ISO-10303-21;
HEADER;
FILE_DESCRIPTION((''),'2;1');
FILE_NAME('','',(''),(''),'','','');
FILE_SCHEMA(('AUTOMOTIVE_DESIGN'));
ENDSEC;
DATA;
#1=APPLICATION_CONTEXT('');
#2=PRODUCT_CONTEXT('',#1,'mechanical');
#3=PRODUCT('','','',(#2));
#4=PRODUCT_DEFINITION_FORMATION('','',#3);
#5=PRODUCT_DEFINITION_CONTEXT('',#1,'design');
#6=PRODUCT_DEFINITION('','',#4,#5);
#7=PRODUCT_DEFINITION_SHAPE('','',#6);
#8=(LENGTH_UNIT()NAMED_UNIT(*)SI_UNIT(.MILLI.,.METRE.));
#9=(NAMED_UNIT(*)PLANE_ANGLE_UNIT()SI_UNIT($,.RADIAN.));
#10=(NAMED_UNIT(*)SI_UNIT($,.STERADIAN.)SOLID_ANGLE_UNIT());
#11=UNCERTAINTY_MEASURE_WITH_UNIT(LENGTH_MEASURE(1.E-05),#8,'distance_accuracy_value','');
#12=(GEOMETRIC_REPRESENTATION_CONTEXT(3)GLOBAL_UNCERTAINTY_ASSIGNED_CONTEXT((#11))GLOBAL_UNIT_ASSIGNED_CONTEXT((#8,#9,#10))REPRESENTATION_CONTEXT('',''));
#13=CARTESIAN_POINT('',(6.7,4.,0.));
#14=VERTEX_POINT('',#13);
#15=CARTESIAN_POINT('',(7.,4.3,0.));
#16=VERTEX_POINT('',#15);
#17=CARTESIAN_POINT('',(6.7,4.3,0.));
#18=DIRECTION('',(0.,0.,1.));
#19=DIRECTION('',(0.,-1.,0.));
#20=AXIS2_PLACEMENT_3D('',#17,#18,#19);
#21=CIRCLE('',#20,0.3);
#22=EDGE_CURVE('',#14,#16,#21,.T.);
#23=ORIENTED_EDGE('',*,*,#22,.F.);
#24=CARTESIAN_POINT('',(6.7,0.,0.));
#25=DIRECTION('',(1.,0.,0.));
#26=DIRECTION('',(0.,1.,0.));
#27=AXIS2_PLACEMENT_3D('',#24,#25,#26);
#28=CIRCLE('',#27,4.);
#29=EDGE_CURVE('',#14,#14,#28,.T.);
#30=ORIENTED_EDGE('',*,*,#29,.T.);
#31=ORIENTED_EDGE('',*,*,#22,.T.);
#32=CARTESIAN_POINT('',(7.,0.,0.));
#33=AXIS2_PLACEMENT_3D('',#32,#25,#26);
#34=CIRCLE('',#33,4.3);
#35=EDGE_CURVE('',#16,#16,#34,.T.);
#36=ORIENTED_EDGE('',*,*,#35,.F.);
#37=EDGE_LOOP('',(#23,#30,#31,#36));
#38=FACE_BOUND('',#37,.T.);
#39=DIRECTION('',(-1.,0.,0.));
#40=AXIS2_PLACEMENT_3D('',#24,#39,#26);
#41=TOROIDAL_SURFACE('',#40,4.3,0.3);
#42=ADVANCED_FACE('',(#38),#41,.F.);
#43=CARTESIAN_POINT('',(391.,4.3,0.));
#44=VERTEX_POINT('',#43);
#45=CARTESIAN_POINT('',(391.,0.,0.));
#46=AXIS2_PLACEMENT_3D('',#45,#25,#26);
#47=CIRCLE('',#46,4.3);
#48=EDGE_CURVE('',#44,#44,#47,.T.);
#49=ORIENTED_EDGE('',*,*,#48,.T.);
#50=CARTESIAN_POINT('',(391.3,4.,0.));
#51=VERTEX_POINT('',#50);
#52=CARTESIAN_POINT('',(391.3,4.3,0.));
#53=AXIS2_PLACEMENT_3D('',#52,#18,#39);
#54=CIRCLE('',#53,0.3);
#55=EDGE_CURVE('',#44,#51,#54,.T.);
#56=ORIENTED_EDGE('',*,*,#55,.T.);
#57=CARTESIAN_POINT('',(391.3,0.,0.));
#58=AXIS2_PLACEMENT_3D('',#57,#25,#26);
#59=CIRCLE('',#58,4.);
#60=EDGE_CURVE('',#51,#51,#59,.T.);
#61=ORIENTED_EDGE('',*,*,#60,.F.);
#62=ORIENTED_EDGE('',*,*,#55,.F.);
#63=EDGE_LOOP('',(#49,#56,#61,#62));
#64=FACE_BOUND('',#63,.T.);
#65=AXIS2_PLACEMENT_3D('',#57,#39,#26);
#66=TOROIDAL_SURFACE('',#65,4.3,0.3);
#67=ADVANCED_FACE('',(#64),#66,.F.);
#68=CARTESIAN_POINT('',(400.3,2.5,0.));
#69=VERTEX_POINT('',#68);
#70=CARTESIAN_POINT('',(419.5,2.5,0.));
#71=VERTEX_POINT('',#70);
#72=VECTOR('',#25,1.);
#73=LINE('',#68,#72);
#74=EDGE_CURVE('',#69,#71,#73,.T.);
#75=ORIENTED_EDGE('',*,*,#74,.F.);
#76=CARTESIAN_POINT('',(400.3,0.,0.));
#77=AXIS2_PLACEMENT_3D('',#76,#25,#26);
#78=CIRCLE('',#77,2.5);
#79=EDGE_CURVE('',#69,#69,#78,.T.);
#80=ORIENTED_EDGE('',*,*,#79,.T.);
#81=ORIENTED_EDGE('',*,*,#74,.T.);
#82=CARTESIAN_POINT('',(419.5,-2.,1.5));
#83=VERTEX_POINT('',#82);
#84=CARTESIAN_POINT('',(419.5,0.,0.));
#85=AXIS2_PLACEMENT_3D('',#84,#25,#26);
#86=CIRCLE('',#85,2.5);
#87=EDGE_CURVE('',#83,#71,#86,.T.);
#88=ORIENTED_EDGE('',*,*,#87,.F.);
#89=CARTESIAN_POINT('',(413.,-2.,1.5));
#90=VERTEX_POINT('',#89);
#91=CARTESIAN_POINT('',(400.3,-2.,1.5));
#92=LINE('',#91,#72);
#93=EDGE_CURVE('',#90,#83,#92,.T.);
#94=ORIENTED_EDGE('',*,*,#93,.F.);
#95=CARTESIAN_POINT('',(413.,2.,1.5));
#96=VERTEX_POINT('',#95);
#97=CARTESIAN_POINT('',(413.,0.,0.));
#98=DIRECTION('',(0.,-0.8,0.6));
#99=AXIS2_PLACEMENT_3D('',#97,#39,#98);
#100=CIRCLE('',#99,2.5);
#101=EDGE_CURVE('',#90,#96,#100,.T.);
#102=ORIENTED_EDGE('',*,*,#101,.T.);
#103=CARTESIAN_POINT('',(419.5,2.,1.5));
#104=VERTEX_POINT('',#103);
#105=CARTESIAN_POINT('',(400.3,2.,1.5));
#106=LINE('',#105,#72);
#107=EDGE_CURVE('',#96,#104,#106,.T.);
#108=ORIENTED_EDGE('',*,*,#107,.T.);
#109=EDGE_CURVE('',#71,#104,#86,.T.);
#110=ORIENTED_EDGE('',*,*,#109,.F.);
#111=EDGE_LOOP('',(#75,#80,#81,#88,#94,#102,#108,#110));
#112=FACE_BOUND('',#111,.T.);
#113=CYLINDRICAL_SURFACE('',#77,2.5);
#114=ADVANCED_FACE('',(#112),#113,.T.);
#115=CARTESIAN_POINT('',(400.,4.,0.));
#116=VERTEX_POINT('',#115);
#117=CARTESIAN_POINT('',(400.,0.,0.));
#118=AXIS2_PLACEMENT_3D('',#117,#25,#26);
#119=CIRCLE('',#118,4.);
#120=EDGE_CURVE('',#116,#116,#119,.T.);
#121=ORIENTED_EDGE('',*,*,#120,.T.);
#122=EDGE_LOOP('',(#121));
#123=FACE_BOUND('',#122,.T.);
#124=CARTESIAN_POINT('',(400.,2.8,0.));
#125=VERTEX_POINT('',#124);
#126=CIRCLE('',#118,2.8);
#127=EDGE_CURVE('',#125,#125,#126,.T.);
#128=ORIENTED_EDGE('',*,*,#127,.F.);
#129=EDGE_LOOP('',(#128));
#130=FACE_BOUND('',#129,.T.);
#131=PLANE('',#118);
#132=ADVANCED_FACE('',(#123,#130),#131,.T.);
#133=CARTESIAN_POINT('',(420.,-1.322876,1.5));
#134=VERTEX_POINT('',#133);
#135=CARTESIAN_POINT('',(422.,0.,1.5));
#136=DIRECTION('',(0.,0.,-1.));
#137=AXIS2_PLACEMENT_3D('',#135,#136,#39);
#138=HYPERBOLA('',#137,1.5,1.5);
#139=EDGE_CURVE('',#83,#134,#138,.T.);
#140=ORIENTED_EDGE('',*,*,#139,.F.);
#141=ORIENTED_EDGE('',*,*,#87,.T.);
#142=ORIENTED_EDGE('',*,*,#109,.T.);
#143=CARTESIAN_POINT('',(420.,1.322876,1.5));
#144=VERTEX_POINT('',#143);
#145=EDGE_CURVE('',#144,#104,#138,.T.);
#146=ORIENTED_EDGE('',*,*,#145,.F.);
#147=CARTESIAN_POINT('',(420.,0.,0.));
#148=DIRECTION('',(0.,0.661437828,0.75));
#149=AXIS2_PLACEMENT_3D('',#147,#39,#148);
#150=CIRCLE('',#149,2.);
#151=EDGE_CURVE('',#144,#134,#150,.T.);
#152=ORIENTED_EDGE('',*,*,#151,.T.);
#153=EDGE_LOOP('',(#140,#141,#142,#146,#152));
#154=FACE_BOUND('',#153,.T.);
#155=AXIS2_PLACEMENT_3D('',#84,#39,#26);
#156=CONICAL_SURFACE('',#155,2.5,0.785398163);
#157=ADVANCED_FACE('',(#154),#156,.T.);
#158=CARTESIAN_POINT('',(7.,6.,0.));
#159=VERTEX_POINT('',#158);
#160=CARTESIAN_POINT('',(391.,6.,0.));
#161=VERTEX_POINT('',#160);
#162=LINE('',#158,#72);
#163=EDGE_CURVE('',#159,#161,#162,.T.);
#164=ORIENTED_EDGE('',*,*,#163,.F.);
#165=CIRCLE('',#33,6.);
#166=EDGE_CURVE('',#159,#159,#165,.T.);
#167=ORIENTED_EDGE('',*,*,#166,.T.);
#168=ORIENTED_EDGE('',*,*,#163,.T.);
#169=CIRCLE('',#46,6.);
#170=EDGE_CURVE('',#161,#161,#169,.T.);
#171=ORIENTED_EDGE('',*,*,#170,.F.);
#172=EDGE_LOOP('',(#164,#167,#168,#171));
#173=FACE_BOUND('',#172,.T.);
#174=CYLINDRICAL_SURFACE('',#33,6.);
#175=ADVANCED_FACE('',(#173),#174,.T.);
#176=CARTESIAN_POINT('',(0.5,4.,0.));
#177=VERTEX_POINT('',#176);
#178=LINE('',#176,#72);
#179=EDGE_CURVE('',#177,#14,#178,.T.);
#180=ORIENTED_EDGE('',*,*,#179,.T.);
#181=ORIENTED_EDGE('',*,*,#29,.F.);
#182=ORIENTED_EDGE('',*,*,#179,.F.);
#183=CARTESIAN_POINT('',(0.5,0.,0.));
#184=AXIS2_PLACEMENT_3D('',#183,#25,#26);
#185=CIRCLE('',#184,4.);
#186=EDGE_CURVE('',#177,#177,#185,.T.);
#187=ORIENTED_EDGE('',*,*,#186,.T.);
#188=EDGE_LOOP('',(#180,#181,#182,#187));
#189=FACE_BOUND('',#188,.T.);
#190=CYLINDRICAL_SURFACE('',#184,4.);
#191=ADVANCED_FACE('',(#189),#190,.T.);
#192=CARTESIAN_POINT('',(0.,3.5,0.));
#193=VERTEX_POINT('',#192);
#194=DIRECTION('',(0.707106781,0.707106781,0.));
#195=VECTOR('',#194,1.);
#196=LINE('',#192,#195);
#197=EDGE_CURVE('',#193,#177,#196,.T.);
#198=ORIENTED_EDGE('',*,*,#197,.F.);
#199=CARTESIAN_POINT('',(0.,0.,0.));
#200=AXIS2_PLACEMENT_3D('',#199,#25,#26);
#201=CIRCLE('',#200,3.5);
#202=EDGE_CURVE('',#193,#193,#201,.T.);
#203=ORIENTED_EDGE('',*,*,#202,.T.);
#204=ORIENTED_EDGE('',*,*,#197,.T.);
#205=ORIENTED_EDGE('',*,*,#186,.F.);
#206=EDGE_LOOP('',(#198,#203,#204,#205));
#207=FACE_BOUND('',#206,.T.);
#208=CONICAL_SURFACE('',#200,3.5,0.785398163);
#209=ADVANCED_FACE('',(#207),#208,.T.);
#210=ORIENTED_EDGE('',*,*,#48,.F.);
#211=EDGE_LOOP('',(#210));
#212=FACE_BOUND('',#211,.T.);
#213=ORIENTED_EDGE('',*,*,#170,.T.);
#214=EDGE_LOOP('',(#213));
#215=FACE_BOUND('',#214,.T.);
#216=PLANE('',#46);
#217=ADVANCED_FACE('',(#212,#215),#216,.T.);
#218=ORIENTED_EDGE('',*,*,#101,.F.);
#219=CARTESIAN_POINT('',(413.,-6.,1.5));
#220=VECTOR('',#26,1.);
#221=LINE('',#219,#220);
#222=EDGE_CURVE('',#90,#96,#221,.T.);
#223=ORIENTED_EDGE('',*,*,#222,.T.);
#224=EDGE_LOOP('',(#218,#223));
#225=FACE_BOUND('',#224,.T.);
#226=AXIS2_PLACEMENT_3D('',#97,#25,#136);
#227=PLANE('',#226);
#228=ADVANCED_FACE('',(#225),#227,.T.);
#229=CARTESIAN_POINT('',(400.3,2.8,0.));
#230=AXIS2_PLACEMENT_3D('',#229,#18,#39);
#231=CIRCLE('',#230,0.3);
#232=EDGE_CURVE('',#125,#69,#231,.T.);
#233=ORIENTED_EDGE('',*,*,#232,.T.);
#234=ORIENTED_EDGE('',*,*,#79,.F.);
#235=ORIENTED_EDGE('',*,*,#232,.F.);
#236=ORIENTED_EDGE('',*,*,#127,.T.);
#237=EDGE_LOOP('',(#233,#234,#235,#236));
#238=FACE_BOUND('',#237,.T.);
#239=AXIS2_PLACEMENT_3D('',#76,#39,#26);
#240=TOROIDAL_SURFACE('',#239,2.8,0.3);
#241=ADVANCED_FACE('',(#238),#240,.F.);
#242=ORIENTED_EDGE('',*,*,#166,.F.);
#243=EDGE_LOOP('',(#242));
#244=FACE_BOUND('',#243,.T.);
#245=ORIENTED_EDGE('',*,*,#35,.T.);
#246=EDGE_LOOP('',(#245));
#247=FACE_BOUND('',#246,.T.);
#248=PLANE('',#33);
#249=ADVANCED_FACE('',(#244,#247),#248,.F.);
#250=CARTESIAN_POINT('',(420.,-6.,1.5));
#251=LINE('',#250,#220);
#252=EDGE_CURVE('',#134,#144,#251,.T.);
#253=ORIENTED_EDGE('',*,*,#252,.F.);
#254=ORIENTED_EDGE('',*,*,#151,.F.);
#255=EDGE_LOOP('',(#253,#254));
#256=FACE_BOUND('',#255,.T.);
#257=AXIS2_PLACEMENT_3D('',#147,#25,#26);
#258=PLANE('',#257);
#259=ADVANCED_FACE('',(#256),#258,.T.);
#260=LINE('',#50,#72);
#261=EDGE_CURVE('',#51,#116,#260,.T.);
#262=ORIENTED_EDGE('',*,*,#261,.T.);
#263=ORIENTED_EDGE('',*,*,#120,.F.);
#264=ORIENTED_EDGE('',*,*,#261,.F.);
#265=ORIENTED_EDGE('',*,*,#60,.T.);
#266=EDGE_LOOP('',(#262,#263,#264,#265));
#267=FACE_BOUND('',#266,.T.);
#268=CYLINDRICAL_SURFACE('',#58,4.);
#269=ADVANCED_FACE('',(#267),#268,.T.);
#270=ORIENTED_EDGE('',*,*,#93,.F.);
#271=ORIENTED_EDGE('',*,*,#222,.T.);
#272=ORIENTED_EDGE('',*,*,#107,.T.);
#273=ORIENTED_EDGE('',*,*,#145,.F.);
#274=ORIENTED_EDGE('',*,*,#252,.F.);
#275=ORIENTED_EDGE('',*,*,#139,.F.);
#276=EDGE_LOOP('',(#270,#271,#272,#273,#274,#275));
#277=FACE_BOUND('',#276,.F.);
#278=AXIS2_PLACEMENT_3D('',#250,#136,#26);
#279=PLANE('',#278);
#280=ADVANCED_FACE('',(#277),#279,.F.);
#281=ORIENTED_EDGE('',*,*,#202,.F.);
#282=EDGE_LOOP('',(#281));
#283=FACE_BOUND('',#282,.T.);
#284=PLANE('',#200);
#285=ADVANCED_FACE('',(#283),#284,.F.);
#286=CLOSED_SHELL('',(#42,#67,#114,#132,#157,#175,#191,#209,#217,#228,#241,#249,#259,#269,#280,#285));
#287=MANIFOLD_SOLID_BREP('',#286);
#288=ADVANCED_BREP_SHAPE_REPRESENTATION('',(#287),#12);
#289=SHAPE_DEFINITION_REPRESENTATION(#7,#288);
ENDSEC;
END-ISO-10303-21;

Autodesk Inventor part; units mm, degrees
ref_plane "YZ Plane" through (0, 0, 0) normal (1, 0, 0) x (0, 1, 0)
ref_plane "XZ Plane" through (0, 0, 0) normal (0, 1, 0) x (-1, 0, 0)
ref_plane "XY Plane" through (0, 0, 0) normal (0, 0, 1) x (1, 0, 0)
sketch "Sketch_16" plane through (0, 0, 0) normal (0, 0, 1) x (1, 0, 0)
  line L0 (391, 0) -> (7, 0)
  line L1 (7, 0) -> (7, 6)
  line L2 (7, 6) -> (391, 6)
  line L3 (391, 6) -> (391, 0)
  line L4 (391, 0) -> (7, 0)
revolve "Revolution1" add sketch "Sketch_16" angle 360 about axis through (391, 0, 0) along (1, 0, 0)
thread "Thread1" size "TR12x2" class "7e" standard "ISO Metric Trapezoidal Threads" full length
sketch "Sketch_23" plane through (0, 0, 0) normal (0, 0, 1) x (1, 0, 0)
  line L0 (7, 0) -> (0, 0)
  line L1 (0, 0) -> (0, 3.5)
  line L2 (0, 3.5) -> (0.5, 4)
  line L3 (0.5, 4) -> (6.7, 4)
  arc A0 (6.7, 4) -> (7, 4.3) centre (6.7, 4.3) ccw
  line L4 (7, 4.3) -> (7, 0)
  line L5 (7, 0) -> (0, 0)
revolve "Revolution2" add sketch "Sketch_23" angle 360 about axis through (7, 0, 0) along (1, 0, 0)
sketch "Sketch_4" plane through (0, 0, 0) normal (0, 0, 1) x (1, 0, 0)
  line L0 (420, 0) -> (391, 0)
  line L1 (391, 0) -> (391, 4.3)
  arc A0 (391, 4.3) -> (391.3, 4) centre (391.3, 4.3) ccw
  line L2 (391.3, 4) -> (400, 4)
  line L3 (400, 4) -> (400, 2.8)
  arc A1 (400, 2.8) -> (400.3, 2.5) centre (400.3, 2.8) ccw
  line L4 (400.3, 2.5) -> (419.5, 2.5)
  line L5 (419.5, 2.5) -> (420, 2)
  line L6 (420, 2) -> (420, 0)
  line L7 (420, 0) -> (391, 0)
revolve "Revolution3" add sketch "Sketch_4" angle 360 about axis through (420, 0, 0) along (1, 0, 0)
sketch "Sketch_8" plane through (420, 0, 0) normal (1, 0, 0) x (0, 0, -1)
  line L0 (-2.5, -6) -> (-1.5, -6)
  line L1 (-1.5, -6) -> (-1.5, 6)
  line L2 (-1.5, 6) -> (-2.5, 6)
  line L3 (-2.5, 6) -> (-2.5, -6)
extrude "Extrusion1" cut sketch "Sketch_8" against normal blind 7
properties part number "MTSBRK12-420-F7-R8-T9-Q8-S20-E5-FE0-FW7-FY1" material "Steel, Carbon"
